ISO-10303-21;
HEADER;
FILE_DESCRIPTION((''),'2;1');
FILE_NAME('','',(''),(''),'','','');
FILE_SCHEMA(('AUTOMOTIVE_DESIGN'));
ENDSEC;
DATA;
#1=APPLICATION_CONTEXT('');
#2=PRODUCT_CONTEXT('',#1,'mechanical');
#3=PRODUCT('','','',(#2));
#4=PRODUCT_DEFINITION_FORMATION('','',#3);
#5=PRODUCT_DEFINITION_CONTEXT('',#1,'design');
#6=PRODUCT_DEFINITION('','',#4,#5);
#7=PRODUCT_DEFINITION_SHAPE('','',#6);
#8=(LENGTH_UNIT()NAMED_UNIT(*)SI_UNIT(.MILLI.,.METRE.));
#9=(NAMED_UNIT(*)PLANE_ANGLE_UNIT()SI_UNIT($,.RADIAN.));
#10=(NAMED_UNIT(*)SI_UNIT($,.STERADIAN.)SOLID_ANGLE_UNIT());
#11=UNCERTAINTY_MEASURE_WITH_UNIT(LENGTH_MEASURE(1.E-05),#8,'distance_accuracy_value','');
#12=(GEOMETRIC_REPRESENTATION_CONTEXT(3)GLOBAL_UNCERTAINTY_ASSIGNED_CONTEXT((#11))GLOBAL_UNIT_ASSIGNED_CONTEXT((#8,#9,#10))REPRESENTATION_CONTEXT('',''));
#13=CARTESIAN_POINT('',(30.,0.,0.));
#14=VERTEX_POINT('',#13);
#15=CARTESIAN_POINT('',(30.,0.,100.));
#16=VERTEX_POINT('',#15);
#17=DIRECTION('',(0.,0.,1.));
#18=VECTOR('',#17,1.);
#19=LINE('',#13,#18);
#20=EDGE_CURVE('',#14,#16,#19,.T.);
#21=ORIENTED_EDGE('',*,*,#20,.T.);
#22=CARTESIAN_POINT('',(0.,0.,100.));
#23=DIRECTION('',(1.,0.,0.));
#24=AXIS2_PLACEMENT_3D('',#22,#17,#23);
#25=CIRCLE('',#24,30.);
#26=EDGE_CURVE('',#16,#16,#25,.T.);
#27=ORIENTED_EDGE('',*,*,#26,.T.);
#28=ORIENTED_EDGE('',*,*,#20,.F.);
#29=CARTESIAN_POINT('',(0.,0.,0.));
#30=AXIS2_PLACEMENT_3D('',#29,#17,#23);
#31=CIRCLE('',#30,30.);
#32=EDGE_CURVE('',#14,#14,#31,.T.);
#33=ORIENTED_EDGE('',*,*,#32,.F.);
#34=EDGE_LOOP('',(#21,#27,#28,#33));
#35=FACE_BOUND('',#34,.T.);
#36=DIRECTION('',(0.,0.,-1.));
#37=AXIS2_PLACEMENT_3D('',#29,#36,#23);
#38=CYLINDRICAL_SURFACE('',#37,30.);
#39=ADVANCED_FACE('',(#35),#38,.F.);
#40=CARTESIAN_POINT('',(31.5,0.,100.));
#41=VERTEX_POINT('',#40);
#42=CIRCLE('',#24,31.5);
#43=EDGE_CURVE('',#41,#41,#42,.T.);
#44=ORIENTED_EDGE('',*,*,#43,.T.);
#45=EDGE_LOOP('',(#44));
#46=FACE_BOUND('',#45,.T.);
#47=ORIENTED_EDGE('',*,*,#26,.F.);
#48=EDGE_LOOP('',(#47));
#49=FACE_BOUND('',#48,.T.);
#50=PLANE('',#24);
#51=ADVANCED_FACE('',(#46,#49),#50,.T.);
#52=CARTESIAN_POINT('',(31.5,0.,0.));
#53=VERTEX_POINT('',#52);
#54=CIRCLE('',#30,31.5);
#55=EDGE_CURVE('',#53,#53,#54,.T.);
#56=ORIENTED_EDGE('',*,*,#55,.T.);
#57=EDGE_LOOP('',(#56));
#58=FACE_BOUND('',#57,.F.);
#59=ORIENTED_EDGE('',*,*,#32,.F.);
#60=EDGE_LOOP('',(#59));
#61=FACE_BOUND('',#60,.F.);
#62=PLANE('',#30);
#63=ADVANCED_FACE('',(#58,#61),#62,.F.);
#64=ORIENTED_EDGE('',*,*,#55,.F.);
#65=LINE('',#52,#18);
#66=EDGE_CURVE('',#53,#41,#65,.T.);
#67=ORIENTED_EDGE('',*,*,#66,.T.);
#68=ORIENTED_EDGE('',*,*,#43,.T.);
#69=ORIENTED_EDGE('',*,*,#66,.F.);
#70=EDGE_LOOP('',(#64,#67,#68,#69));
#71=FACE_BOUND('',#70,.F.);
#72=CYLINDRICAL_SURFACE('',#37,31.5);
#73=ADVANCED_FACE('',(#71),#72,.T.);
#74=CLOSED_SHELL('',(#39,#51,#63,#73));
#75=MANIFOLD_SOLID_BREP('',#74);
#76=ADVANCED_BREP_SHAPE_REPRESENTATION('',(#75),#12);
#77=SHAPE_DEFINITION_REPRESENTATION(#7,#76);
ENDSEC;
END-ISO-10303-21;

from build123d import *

# Parameters (mm, degrees)
SKETCH_R   = 31.5
SKETCH_R_2 = 30
PAD_DEPTH  = 100


with BuildPart() as part:
    # Sketch → Pad (new body)
    with BuildSketch(Plane.XY):
        Circle(SKETCH_R)
        Circle(SKETCH_R_2, mode=Mode.SUBTRACT)
    extrude(amount=PAD_DEPTH)


solid = part.part
